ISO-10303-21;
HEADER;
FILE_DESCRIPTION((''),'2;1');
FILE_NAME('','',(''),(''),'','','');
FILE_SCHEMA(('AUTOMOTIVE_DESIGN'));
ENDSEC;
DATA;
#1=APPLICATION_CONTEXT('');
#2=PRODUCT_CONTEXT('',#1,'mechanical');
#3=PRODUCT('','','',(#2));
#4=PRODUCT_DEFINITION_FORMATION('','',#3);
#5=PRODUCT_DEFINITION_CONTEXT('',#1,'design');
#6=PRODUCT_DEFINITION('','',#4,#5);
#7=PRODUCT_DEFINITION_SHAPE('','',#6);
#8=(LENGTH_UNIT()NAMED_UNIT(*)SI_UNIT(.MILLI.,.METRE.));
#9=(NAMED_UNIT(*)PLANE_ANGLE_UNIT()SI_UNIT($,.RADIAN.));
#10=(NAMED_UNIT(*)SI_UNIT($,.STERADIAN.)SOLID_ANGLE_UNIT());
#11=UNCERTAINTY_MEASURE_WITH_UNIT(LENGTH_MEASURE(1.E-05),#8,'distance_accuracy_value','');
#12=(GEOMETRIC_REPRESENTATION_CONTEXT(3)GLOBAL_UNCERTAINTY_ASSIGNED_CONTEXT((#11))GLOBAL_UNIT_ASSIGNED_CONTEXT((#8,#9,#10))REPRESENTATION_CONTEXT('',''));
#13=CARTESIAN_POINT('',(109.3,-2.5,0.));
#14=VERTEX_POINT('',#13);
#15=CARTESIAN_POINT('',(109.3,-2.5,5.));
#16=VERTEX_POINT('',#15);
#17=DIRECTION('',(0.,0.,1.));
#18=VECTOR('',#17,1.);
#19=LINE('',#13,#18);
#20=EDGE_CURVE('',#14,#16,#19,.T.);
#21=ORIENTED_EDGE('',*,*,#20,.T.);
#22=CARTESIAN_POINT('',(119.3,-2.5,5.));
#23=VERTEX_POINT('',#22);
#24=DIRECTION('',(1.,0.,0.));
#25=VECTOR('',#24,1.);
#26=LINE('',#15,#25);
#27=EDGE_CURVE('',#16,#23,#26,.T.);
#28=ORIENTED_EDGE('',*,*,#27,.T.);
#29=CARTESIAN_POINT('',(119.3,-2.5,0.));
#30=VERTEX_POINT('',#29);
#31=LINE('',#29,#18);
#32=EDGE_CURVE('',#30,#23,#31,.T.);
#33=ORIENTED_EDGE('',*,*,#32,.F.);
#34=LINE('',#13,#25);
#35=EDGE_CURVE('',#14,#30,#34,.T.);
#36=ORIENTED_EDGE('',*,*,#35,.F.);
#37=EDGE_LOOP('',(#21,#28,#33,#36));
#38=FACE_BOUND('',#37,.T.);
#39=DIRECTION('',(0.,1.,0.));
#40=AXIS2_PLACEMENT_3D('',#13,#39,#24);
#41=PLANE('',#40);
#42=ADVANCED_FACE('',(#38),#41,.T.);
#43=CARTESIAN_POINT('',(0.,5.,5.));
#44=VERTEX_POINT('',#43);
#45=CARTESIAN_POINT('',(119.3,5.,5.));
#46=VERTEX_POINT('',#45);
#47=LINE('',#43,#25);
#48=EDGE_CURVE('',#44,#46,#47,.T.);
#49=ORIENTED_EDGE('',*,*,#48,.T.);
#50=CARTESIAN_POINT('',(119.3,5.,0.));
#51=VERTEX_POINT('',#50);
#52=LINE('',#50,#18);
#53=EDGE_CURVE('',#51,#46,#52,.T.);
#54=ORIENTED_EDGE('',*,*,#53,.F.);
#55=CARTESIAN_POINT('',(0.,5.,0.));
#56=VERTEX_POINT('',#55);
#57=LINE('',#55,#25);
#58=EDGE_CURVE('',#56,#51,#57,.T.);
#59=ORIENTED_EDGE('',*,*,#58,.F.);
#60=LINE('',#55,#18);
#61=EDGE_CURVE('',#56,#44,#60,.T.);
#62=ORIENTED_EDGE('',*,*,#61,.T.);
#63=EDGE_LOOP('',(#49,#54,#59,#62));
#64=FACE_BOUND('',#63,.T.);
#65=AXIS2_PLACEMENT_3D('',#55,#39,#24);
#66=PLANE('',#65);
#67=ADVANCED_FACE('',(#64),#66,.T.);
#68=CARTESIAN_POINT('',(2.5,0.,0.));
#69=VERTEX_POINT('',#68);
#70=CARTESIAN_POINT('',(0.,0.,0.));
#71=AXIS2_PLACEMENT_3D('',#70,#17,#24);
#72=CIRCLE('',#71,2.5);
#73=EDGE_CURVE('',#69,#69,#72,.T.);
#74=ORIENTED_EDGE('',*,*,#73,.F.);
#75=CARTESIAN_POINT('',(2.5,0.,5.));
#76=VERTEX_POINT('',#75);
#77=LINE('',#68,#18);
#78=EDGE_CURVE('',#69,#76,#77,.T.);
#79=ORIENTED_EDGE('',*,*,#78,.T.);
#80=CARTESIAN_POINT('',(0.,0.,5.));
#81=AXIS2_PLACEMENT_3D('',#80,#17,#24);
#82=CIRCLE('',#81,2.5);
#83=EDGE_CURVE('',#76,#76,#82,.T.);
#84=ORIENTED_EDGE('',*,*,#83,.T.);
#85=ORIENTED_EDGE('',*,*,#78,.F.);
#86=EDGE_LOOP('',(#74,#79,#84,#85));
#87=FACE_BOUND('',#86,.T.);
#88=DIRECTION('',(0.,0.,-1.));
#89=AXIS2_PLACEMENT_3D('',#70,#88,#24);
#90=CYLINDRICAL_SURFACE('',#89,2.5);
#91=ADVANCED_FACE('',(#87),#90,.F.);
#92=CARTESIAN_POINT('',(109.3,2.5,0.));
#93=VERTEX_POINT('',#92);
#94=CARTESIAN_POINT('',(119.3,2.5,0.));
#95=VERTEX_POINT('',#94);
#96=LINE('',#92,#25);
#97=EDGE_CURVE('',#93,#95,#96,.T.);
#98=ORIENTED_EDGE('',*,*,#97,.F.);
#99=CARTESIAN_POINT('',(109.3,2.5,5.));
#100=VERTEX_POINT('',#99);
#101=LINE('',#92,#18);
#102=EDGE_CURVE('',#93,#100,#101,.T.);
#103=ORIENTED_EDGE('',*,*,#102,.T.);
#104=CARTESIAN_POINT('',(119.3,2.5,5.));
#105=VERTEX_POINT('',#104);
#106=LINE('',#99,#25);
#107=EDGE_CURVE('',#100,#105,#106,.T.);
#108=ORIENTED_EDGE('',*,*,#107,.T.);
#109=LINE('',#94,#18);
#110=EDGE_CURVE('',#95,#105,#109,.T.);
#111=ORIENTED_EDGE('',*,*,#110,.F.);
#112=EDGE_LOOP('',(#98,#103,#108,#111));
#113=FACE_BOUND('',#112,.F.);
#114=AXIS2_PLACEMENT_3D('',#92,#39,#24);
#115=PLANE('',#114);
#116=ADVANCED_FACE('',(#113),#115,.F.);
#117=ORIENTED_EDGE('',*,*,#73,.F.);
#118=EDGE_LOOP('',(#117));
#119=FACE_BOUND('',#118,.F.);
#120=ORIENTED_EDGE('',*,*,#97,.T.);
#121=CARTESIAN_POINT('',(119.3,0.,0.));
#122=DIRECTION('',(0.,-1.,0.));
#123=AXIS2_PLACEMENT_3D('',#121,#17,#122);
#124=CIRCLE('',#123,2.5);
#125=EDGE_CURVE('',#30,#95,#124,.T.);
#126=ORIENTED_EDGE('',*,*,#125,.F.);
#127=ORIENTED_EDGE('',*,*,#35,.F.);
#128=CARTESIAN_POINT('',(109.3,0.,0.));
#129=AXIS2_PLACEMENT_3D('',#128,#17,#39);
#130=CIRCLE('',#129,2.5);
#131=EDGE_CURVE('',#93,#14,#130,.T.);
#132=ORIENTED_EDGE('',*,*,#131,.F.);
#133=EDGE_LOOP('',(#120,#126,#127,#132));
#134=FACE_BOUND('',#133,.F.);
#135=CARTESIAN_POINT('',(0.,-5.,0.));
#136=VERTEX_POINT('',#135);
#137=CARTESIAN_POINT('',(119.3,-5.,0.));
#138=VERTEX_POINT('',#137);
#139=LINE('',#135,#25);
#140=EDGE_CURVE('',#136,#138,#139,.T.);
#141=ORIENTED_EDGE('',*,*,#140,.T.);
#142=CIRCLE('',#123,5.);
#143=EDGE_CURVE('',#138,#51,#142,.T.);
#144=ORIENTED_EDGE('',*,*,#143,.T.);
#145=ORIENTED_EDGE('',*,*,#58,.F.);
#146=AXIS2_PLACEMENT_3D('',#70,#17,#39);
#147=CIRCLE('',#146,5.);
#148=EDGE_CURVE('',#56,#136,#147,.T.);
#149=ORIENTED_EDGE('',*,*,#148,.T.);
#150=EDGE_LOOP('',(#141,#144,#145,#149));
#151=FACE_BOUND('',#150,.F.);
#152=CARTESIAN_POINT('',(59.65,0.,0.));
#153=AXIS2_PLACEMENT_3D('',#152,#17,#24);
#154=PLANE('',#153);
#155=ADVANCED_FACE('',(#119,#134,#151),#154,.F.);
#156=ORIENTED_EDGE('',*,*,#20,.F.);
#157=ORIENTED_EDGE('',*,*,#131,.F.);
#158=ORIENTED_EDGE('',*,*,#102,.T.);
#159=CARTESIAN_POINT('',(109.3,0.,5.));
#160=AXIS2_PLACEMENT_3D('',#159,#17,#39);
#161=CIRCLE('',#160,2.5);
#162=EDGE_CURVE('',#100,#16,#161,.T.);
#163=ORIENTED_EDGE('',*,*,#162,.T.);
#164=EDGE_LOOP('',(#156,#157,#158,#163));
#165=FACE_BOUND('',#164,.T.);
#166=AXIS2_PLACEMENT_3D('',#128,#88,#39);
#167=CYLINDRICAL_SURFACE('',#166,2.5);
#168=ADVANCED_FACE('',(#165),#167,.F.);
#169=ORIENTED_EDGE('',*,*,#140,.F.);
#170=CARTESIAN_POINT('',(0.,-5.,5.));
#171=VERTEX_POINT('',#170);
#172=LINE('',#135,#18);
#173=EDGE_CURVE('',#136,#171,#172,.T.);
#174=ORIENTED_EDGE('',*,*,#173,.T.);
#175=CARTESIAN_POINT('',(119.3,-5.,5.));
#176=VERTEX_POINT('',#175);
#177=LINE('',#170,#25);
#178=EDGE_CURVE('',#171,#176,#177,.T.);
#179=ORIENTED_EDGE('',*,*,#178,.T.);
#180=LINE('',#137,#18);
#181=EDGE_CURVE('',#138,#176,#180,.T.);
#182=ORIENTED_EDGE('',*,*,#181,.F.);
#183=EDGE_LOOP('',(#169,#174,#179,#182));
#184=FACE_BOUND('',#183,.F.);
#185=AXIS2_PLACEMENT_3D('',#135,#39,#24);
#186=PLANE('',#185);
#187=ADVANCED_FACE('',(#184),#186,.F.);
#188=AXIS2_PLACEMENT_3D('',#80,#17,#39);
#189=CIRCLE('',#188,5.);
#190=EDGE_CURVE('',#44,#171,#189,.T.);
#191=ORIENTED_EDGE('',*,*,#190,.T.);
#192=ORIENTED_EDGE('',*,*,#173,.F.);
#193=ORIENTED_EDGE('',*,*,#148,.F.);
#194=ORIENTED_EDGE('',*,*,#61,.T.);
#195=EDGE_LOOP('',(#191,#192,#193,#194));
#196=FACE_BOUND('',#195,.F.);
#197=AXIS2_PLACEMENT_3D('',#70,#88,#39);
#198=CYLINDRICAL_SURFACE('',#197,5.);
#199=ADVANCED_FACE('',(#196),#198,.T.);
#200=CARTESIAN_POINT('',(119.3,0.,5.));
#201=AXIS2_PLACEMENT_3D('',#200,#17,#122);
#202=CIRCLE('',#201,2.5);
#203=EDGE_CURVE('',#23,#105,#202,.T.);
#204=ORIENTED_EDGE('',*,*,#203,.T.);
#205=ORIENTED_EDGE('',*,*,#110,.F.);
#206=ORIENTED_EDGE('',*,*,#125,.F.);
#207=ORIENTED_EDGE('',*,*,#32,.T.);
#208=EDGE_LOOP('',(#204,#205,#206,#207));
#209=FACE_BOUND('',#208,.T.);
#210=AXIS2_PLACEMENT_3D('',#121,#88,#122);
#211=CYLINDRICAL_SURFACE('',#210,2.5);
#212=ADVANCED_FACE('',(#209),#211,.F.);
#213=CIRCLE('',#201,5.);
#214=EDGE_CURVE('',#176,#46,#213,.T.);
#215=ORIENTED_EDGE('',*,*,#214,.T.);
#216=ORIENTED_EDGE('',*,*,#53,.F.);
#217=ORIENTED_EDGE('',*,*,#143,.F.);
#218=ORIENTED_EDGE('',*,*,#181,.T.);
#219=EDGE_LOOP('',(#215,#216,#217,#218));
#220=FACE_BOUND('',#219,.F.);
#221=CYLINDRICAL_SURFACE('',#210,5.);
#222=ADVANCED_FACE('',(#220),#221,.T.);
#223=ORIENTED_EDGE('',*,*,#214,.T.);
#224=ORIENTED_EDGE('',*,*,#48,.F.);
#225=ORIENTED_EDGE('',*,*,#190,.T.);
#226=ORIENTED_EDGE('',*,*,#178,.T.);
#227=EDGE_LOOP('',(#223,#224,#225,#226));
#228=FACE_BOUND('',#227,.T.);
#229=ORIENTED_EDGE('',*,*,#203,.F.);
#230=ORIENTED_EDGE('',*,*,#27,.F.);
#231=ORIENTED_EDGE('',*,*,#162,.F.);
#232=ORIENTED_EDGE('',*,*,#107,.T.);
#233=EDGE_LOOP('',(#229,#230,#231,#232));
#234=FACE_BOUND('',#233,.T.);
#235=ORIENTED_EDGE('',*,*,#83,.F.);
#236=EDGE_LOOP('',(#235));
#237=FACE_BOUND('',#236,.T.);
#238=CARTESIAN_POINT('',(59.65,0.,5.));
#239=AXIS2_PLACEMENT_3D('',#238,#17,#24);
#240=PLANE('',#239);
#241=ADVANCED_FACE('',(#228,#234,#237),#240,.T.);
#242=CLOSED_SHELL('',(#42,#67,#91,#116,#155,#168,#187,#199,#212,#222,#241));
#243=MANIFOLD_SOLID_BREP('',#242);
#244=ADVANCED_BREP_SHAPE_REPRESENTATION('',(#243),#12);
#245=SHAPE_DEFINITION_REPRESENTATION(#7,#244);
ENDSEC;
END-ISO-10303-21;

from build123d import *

# Parameters (mm, degrees)
SKETCH_R  = 2.5
PAD_DEPTH = 5


with BuildPart() as part:
    # Sketch → Pad (new body)
    with BuildSketch(Plane.XY):
        with BuildLine():
            ThreePointArc((0, 5), (-5, 0), (0, -5))
            Line((0, -5), (119.3, -5))
            ThreePointArc((119.3, -5), (124.3, 0), (119.3, 5))
            Line((0, 5), (119.3, 5))
        make_face()
        Circle(SKETCH_R, mode=Mode.SUBTRACT)
        with BuildLine():
            ThreePointArc((109.3, 2.5), (106.8, 0), (109.3, -2.5))
            Line((109.3, -2.5), (119.3, -2.5))
            ThreePointArc((119.3, -2.5), (121.8, 0), (119.3, 2.5))
            Line((109.3, 2.5), (119.3, 2.5))
        make_face(mode=Mode.SUBTRACT)
    extrude(amount=PAD_DEPTH)


solid = part.part
